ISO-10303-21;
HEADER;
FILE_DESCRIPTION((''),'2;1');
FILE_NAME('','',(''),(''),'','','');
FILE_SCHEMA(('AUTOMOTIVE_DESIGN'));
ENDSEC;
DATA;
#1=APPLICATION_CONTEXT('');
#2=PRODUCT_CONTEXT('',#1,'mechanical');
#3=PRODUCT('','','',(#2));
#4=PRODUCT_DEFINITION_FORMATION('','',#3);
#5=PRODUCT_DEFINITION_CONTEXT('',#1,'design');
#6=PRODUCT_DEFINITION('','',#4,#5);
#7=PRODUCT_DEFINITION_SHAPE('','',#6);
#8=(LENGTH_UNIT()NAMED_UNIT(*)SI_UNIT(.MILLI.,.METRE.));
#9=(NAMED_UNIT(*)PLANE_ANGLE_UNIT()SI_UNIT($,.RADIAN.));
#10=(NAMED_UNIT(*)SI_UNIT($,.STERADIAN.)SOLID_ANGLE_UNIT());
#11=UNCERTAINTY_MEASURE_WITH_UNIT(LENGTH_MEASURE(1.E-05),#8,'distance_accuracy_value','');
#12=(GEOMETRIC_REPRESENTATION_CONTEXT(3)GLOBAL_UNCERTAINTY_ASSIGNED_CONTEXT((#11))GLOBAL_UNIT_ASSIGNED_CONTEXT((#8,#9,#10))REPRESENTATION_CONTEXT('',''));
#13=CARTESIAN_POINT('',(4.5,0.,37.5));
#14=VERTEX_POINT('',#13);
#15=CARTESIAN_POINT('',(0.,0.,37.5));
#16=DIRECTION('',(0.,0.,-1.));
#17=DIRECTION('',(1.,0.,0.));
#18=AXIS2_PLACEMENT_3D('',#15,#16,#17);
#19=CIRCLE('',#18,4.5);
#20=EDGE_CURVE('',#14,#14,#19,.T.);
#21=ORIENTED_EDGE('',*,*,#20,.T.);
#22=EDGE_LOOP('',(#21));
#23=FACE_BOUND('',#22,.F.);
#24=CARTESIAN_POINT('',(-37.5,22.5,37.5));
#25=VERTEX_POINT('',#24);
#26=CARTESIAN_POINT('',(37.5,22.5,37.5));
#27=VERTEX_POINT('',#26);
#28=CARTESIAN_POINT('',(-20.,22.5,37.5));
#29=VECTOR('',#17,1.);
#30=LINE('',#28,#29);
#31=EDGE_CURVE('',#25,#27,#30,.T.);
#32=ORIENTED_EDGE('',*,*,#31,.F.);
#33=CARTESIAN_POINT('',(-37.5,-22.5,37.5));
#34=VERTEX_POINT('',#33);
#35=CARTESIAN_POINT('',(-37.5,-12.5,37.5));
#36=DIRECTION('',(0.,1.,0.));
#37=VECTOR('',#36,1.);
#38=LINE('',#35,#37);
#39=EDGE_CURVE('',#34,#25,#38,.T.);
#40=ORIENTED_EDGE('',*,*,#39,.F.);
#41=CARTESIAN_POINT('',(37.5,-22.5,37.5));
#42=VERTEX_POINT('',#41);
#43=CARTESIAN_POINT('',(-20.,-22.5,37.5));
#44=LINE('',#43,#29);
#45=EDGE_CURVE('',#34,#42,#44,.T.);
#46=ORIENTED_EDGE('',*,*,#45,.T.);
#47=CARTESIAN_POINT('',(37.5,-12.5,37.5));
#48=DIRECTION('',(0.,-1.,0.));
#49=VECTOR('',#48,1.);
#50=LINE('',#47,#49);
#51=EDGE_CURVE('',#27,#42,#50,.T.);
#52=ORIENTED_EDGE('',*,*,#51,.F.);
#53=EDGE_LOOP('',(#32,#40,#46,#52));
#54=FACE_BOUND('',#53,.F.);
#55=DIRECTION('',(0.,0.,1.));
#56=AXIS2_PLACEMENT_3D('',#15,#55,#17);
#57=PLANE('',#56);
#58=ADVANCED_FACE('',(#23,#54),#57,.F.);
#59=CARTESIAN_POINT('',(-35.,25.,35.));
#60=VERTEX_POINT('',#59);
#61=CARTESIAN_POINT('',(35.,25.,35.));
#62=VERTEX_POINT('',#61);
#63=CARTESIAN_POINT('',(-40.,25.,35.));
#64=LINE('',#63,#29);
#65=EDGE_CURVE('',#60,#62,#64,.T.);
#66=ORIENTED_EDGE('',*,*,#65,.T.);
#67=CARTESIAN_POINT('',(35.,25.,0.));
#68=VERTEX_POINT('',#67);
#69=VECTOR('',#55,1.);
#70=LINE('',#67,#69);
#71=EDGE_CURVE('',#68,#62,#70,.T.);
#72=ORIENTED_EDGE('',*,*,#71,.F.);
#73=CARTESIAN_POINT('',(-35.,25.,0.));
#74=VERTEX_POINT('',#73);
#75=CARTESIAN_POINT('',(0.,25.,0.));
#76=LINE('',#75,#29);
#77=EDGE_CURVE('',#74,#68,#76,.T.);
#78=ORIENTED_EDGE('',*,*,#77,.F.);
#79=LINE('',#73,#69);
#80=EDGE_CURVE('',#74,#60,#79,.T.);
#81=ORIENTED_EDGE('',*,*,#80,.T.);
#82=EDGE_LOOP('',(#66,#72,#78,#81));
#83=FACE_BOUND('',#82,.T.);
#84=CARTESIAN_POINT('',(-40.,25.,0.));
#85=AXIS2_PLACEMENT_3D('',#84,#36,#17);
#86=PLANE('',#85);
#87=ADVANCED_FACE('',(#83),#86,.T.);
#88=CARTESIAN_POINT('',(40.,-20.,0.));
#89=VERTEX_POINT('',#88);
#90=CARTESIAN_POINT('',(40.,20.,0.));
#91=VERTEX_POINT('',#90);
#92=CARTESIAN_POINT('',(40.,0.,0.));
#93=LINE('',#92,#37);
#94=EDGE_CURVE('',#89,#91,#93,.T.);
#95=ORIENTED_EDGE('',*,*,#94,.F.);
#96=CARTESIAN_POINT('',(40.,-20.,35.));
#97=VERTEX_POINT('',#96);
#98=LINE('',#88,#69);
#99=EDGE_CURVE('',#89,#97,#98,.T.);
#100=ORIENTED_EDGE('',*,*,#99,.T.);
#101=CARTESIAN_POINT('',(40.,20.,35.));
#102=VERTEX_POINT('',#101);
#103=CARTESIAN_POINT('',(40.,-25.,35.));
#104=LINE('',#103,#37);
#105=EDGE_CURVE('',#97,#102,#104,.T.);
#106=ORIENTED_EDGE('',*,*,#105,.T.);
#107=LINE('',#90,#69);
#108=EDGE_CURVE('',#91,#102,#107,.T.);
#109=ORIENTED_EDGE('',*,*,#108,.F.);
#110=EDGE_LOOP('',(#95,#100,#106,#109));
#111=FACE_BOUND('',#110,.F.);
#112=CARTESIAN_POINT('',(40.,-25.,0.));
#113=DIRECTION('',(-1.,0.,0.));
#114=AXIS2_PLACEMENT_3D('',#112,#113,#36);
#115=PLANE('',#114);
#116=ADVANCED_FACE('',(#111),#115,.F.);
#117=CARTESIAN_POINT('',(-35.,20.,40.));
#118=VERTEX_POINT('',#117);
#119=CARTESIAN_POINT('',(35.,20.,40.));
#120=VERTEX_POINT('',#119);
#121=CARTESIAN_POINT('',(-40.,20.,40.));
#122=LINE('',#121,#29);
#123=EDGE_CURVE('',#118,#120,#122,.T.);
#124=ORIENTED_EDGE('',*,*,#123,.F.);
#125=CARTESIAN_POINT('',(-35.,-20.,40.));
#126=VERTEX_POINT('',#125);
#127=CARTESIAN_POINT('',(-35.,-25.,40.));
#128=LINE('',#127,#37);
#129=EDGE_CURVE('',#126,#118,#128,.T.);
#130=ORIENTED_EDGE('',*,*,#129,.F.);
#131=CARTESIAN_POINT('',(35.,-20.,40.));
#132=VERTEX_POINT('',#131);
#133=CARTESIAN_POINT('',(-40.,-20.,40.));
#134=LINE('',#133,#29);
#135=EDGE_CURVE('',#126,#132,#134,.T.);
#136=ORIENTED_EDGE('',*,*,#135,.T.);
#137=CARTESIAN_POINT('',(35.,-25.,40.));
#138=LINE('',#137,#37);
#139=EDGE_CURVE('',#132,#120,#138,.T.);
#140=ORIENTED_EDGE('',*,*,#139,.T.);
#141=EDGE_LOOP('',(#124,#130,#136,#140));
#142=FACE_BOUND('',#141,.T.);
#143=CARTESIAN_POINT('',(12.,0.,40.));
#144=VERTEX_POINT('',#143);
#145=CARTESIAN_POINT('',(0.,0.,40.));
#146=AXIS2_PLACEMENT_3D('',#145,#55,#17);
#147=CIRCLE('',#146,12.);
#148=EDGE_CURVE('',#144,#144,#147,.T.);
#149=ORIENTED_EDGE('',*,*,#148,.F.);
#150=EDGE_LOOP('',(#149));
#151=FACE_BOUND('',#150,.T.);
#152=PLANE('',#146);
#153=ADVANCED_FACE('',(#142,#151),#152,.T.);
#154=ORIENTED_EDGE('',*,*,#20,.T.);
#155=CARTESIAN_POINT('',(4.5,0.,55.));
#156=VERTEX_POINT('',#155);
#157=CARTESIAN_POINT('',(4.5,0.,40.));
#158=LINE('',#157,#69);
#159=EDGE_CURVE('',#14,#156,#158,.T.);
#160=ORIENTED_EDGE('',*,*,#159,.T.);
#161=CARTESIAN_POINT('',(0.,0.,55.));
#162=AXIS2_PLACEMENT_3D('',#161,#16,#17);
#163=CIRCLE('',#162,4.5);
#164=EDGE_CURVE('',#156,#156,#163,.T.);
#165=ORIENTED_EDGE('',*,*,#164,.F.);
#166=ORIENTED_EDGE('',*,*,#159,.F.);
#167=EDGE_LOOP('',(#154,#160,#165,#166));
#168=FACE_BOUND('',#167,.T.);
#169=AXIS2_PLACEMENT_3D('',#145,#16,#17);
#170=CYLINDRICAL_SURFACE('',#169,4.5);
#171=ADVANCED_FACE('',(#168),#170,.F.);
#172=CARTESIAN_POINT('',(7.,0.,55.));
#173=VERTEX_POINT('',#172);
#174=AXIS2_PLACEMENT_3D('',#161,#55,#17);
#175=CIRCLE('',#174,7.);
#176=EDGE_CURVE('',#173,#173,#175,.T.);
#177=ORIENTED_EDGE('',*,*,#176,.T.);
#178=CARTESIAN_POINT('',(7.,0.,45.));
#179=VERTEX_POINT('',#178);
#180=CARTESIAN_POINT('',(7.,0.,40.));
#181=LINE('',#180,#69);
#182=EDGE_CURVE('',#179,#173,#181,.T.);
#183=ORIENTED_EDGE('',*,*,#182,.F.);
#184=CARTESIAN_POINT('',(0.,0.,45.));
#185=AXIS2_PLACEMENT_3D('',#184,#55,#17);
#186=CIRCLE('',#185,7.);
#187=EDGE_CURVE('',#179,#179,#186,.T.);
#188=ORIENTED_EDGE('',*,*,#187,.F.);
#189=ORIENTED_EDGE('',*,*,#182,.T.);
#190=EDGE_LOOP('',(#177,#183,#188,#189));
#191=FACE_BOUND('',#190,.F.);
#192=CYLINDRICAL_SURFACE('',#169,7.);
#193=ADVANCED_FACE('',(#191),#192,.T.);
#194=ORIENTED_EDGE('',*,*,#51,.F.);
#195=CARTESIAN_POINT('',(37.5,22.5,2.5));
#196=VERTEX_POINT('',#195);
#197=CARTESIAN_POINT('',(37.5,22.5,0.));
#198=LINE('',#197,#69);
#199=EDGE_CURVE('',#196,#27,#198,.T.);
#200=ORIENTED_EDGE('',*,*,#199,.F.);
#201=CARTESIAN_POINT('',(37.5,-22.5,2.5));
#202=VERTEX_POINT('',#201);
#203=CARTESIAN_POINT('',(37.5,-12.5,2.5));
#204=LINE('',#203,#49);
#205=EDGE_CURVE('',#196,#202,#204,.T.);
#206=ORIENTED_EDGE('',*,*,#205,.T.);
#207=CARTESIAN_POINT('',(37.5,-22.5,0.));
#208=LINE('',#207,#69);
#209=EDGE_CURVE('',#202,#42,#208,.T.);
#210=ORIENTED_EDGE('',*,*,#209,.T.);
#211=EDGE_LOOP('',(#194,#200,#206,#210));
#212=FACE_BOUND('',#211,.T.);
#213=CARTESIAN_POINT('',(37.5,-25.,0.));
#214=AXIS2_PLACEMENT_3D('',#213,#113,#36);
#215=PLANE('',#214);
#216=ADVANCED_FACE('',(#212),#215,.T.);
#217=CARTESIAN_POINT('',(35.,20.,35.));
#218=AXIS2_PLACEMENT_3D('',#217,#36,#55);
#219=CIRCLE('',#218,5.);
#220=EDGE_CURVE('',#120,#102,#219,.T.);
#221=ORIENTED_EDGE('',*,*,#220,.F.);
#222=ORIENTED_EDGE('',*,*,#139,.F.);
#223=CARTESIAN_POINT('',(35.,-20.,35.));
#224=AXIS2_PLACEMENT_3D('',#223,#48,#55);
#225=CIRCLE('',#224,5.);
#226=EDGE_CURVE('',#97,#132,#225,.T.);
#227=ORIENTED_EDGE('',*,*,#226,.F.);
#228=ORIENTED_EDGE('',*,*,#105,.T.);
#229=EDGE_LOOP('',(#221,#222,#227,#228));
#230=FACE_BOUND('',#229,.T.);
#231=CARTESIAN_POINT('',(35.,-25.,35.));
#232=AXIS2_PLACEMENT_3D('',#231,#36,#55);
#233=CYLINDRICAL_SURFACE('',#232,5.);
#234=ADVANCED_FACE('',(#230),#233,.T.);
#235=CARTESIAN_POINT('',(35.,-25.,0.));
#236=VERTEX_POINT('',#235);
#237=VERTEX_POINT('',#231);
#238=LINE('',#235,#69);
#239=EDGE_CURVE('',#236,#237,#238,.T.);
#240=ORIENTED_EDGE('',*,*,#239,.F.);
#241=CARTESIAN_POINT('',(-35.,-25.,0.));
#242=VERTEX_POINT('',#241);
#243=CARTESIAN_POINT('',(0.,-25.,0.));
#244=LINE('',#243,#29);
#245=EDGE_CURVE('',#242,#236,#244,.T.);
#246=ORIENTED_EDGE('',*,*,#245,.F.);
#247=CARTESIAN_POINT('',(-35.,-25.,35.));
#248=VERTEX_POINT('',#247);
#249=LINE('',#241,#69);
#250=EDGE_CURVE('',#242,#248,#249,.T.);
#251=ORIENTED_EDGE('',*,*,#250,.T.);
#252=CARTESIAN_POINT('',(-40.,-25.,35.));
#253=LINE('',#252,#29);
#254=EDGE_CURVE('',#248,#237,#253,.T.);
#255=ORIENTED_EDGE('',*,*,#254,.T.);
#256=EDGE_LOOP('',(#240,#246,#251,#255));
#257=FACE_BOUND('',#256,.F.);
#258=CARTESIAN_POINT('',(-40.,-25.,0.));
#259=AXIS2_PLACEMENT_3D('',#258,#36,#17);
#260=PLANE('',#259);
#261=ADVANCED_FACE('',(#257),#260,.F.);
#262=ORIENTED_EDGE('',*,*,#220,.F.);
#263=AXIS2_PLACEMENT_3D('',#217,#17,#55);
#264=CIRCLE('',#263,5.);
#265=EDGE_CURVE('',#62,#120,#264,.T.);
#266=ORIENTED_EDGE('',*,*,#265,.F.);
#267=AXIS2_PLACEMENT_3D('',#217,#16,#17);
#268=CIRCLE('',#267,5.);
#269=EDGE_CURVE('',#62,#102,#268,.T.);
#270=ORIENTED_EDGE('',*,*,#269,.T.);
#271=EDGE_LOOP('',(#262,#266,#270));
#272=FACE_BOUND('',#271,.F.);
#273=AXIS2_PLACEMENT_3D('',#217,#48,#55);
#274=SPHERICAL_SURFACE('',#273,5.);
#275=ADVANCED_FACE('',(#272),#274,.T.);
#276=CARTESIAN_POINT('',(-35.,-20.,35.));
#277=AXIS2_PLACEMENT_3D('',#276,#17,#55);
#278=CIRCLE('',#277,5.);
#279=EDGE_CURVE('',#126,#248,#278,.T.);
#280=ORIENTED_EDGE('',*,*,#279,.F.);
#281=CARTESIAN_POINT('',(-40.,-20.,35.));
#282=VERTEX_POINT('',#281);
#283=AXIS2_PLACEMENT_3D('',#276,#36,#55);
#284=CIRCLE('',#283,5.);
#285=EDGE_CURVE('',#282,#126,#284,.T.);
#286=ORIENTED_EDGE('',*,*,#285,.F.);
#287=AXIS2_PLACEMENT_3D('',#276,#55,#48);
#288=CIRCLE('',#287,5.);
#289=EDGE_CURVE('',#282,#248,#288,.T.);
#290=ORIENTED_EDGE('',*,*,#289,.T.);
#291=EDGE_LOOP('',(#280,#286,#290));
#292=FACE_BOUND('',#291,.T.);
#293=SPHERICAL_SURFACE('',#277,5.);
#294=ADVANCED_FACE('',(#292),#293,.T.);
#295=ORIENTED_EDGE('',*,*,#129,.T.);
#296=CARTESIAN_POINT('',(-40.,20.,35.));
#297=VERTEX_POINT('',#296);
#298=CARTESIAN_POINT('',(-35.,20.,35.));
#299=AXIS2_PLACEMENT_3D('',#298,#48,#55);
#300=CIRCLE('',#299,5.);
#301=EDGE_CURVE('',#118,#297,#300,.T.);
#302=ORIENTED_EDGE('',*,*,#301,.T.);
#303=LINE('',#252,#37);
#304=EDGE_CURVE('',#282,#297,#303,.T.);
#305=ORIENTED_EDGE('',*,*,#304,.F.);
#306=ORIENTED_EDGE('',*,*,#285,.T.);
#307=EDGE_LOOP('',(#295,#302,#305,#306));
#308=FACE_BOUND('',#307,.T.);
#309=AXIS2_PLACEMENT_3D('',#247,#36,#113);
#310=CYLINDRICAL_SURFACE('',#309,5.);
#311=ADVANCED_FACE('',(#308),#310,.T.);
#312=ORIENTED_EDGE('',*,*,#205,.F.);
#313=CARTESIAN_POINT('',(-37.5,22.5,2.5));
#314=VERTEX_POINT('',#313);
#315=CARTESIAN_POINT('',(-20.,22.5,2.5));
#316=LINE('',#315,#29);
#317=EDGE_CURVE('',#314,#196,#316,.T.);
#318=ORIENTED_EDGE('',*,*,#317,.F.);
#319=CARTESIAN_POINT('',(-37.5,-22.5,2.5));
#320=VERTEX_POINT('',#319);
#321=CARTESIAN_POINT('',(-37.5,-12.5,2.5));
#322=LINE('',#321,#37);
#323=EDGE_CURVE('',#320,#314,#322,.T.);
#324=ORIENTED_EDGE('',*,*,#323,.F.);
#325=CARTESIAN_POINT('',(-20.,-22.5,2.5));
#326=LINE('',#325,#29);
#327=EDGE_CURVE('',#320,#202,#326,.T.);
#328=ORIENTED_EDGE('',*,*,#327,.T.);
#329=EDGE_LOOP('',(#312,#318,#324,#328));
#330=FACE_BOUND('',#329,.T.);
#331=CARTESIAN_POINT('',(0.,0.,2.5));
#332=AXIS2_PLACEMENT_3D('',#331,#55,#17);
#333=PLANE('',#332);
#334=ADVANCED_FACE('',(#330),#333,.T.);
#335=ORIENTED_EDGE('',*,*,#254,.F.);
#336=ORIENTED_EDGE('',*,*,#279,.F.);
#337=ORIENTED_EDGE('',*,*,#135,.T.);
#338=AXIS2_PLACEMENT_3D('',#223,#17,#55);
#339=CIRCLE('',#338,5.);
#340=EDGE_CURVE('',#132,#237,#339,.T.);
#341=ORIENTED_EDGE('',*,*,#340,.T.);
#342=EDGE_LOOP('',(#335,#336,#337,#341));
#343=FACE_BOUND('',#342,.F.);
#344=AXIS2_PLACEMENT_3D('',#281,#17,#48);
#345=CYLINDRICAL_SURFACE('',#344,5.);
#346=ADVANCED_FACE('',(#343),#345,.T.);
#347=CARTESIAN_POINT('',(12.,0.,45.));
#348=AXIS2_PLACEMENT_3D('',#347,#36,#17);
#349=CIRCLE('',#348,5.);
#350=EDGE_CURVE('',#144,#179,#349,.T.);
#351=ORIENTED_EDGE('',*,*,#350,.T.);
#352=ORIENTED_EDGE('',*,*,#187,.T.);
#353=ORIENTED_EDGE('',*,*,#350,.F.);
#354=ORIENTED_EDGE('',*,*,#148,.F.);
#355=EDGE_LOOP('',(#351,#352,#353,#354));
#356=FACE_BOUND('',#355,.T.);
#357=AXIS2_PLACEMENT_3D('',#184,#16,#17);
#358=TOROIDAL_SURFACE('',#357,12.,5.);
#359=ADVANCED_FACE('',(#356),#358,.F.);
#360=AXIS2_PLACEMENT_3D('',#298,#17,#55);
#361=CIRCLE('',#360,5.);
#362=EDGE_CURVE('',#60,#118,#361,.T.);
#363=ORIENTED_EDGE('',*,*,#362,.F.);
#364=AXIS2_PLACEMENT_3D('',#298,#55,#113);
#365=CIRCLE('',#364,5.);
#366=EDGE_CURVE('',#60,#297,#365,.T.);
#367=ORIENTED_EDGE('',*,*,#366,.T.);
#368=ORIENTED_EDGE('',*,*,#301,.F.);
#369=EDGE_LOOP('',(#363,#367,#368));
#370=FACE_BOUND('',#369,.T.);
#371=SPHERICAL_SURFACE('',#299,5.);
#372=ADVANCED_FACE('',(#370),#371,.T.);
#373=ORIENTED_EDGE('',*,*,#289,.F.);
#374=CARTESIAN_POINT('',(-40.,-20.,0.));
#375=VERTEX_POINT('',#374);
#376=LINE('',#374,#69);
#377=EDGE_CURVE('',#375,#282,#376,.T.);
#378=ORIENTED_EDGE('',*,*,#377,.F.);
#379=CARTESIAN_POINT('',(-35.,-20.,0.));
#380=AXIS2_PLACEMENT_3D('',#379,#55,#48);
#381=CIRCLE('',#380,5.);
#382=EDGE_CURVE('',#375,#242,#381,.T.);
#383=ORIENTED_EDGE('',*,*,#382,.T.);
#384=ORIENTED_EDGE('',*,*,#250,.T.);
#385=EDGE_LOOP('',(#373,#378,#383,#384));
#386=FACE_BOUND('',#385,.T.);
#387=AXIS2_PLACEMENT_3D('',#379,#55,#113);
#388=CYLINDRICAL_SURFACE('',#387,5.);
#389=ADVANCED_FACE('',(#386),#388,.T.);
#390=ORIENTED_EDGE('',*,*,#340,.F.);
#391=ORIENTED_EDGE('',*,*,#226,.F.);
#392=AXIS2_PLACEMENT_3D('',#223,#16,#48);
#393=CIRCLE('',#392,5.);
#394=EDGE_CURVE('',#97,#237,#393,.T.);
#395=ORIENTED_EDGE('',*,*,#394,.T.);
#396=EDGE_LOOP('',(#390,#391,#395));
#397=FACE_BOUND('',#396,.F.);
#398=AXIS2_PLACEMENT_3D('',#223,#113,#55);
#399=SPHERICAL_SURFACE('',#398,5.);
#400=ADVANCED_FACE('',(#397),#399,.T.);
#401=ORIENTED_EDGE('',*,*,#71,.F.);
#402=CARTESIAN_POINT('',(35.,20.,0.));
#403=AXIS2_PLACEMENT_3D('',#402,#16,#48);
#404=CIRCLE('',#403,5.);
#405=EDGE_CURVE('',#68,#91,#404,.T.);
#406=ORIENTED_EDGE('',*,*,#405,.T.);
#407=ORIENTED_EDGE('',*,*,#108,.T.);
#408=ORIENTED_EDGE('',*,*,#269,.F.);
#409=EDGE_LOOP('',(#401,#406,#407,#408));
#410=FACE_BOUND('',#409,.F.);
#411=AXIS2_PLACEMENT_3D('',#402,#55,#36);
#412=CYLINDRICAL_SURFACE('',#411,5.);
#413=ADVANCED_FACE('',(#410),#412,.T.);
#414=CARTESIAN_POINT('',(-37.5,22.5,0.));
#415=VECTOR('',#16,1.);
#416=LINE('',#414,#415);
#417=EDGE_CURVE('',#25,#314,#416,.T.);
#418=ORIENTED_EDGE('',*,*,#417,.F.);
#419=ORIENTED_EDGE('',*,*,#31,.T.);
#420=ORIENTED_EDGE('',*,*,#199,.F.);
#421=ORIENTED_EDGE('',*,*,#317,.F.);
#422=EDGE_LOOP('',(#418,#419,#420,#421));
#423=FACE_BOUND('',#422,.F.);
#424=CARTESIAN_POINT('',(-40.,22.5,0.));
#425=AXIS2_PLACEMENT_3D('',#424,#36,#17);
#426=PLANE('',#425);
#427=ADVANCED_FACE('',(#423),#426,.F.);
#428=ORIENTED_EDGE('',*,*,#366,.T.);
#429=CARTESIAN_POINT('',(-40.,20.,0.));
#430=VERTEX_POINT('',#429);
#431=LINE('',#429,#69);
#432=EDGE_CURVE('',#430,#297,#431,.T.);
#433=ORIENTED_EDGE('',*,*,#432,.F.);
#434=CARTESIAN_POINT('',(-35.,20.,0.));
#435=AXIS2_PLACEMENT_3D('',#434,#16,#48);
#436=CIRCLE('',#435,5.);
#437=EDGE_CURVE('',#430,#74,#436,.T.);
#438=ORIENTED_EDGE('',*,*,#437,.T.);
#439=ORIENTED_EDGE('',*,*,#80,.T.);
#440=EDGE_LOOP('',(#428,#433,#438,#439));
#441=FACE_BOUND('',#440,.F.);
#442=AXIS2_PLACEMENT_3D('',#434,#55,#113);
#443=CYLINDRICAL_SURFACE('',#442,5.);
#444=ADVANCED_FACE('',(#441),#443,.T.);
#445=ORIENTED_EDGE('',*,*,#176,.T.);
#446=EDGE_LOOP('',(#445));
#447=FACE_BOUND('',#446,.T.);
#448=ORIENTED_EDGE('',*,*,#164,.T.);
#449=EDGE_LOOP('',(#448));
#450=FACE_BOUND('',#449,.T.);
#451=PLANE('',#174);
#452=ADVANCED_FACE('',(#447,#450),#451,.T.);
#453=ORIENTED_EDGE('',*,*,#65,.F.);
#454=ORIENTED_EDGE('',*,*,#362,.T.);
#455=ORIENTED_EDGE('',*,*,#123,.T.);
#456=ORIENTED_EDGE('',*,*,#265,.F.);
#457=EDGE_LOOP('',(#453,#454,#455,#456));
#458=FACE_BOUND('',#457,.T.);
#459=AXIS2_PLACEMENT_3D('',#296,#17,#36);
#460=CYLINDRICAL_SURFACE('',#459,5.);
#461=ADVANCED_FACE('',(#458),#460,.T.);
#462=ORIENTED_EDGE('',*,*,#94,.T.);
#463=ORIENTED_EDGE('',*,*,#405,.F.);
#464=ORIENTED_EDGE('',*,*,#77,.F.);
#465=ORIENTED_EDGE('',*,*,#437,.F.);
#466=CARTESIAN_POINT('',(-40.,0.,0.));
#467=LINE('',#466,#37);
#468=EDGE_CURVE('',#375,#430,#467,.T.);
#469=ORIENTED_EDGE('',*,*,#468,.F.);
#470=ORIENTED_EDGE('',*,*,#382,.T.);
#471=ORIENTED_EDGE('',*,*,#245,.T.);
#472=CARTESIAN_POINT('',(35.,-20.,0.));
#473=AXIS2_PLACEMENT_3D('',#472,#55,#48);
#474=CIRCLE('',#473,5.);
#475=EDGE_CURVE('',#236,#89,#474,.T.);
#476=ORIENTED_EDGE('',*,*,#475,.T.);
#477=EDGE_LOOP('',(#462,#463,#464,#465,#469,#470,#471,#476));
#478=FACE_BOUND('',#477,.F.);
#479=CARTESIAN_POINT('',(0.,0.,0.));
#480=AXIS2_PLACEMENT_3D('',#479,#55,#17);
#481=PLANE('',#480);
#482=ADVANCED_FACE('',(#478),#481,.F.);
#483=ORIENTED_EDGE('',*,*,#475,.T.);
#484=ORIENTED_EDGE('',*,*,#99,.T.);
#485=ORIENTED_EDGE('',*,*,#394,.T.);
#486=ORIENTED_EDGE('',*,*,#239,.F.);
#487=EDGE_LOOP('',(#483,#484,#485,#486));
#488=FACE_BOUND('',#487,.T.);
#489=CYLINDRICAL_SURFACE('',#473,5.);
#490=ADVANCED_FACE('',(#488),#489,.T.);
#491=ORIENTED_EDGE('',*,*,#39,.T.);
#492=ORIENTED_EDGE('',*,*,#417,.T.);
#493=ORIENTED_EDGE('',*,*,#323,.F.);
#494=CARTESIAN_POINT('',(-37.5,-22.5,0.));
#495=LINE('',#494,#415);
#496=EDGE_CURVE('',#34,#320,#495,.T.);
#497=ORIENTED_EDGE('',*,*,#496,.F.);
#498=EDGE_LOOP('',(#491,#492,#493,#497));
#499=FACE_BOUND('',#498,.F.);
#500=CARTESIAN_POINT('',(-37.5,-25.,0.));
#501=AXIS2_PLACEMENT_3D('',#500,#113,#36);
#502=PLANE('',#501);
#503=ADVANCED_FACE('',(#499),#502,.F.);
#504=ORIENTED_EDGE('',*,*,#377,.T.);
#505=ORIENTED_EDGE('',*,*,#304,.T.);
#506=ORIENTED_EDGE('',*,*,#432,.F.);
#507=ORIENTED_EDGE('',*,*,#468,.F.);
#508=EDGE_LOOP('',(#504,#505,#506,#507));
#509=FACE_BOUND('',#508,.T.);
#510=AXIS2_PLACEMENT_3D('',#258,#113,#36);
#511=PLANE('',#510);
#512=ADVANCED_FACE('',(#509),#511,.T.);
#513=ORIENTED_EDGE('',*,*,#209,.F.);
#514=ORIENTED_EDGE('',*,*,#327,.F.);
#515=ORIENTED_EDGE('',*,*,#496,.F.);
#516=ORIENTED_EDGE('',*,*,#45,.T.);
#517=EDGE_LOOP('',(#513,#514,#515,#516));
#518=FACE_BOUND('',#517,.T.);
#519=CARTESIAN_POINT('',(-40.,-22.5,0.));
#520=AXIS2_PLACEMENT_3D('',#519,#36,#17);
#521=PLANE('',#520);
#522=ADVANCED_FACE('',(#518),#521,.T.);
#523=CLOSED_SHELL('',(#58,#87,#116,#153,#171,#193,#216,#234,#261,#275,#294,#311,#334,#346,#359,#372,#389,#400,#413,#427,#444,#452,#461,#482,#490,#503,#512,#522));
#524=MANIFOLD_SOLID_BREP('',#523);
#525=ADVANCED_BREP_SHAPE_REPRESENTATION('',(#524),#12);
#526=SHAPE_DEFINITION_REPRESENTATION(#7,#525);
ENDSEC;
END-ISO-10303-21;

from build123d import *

# Parameters (mm, degrees)
F0_W     = 80
F0_H     = 50
F1_DEPTH = 40
F2_R     = 7
F3_DEPTH = 15
F4_T     = -2.5
F5_R     = 5


with BuildPart() as f1:
    # F0 (on Top) → F1 (new body)
    with BuildSketch(Plane.XY):
        Rectangle(F0_W, F0_H)
    extrude(amount=F1_DEPTH)

    # F2 (on face) → F3 (join)
    with BuildSketch(Plane.XY.offset(40)):
        Circle(F2_R)
    extrude(amount=F3_DEPTH)

    # F4
    f4_openings = [f1.faces().sort_by_distance(p)[0] for p in [
        (0, 0, 55),
    ]]
    offset(amount=F4_T, openings=f4_openings, kind=Kind.INTERSECTION)

    # F5
    f5_edges = [f1.edges().sort_by_distance(p)[0] for p in [
        (-7, 0, 40),
        (0, -25, 40),
        (40, 0, 40),
        (-40, 0, 40),
        (0, 25, 40),
        (-40, -25, 20),
        (40, -25, 20),
        (-40, 25, 20),
        (40, 25, 20),
    ]]
    fillet(f5_edges, radius=F5_R)


solid = f1.part
